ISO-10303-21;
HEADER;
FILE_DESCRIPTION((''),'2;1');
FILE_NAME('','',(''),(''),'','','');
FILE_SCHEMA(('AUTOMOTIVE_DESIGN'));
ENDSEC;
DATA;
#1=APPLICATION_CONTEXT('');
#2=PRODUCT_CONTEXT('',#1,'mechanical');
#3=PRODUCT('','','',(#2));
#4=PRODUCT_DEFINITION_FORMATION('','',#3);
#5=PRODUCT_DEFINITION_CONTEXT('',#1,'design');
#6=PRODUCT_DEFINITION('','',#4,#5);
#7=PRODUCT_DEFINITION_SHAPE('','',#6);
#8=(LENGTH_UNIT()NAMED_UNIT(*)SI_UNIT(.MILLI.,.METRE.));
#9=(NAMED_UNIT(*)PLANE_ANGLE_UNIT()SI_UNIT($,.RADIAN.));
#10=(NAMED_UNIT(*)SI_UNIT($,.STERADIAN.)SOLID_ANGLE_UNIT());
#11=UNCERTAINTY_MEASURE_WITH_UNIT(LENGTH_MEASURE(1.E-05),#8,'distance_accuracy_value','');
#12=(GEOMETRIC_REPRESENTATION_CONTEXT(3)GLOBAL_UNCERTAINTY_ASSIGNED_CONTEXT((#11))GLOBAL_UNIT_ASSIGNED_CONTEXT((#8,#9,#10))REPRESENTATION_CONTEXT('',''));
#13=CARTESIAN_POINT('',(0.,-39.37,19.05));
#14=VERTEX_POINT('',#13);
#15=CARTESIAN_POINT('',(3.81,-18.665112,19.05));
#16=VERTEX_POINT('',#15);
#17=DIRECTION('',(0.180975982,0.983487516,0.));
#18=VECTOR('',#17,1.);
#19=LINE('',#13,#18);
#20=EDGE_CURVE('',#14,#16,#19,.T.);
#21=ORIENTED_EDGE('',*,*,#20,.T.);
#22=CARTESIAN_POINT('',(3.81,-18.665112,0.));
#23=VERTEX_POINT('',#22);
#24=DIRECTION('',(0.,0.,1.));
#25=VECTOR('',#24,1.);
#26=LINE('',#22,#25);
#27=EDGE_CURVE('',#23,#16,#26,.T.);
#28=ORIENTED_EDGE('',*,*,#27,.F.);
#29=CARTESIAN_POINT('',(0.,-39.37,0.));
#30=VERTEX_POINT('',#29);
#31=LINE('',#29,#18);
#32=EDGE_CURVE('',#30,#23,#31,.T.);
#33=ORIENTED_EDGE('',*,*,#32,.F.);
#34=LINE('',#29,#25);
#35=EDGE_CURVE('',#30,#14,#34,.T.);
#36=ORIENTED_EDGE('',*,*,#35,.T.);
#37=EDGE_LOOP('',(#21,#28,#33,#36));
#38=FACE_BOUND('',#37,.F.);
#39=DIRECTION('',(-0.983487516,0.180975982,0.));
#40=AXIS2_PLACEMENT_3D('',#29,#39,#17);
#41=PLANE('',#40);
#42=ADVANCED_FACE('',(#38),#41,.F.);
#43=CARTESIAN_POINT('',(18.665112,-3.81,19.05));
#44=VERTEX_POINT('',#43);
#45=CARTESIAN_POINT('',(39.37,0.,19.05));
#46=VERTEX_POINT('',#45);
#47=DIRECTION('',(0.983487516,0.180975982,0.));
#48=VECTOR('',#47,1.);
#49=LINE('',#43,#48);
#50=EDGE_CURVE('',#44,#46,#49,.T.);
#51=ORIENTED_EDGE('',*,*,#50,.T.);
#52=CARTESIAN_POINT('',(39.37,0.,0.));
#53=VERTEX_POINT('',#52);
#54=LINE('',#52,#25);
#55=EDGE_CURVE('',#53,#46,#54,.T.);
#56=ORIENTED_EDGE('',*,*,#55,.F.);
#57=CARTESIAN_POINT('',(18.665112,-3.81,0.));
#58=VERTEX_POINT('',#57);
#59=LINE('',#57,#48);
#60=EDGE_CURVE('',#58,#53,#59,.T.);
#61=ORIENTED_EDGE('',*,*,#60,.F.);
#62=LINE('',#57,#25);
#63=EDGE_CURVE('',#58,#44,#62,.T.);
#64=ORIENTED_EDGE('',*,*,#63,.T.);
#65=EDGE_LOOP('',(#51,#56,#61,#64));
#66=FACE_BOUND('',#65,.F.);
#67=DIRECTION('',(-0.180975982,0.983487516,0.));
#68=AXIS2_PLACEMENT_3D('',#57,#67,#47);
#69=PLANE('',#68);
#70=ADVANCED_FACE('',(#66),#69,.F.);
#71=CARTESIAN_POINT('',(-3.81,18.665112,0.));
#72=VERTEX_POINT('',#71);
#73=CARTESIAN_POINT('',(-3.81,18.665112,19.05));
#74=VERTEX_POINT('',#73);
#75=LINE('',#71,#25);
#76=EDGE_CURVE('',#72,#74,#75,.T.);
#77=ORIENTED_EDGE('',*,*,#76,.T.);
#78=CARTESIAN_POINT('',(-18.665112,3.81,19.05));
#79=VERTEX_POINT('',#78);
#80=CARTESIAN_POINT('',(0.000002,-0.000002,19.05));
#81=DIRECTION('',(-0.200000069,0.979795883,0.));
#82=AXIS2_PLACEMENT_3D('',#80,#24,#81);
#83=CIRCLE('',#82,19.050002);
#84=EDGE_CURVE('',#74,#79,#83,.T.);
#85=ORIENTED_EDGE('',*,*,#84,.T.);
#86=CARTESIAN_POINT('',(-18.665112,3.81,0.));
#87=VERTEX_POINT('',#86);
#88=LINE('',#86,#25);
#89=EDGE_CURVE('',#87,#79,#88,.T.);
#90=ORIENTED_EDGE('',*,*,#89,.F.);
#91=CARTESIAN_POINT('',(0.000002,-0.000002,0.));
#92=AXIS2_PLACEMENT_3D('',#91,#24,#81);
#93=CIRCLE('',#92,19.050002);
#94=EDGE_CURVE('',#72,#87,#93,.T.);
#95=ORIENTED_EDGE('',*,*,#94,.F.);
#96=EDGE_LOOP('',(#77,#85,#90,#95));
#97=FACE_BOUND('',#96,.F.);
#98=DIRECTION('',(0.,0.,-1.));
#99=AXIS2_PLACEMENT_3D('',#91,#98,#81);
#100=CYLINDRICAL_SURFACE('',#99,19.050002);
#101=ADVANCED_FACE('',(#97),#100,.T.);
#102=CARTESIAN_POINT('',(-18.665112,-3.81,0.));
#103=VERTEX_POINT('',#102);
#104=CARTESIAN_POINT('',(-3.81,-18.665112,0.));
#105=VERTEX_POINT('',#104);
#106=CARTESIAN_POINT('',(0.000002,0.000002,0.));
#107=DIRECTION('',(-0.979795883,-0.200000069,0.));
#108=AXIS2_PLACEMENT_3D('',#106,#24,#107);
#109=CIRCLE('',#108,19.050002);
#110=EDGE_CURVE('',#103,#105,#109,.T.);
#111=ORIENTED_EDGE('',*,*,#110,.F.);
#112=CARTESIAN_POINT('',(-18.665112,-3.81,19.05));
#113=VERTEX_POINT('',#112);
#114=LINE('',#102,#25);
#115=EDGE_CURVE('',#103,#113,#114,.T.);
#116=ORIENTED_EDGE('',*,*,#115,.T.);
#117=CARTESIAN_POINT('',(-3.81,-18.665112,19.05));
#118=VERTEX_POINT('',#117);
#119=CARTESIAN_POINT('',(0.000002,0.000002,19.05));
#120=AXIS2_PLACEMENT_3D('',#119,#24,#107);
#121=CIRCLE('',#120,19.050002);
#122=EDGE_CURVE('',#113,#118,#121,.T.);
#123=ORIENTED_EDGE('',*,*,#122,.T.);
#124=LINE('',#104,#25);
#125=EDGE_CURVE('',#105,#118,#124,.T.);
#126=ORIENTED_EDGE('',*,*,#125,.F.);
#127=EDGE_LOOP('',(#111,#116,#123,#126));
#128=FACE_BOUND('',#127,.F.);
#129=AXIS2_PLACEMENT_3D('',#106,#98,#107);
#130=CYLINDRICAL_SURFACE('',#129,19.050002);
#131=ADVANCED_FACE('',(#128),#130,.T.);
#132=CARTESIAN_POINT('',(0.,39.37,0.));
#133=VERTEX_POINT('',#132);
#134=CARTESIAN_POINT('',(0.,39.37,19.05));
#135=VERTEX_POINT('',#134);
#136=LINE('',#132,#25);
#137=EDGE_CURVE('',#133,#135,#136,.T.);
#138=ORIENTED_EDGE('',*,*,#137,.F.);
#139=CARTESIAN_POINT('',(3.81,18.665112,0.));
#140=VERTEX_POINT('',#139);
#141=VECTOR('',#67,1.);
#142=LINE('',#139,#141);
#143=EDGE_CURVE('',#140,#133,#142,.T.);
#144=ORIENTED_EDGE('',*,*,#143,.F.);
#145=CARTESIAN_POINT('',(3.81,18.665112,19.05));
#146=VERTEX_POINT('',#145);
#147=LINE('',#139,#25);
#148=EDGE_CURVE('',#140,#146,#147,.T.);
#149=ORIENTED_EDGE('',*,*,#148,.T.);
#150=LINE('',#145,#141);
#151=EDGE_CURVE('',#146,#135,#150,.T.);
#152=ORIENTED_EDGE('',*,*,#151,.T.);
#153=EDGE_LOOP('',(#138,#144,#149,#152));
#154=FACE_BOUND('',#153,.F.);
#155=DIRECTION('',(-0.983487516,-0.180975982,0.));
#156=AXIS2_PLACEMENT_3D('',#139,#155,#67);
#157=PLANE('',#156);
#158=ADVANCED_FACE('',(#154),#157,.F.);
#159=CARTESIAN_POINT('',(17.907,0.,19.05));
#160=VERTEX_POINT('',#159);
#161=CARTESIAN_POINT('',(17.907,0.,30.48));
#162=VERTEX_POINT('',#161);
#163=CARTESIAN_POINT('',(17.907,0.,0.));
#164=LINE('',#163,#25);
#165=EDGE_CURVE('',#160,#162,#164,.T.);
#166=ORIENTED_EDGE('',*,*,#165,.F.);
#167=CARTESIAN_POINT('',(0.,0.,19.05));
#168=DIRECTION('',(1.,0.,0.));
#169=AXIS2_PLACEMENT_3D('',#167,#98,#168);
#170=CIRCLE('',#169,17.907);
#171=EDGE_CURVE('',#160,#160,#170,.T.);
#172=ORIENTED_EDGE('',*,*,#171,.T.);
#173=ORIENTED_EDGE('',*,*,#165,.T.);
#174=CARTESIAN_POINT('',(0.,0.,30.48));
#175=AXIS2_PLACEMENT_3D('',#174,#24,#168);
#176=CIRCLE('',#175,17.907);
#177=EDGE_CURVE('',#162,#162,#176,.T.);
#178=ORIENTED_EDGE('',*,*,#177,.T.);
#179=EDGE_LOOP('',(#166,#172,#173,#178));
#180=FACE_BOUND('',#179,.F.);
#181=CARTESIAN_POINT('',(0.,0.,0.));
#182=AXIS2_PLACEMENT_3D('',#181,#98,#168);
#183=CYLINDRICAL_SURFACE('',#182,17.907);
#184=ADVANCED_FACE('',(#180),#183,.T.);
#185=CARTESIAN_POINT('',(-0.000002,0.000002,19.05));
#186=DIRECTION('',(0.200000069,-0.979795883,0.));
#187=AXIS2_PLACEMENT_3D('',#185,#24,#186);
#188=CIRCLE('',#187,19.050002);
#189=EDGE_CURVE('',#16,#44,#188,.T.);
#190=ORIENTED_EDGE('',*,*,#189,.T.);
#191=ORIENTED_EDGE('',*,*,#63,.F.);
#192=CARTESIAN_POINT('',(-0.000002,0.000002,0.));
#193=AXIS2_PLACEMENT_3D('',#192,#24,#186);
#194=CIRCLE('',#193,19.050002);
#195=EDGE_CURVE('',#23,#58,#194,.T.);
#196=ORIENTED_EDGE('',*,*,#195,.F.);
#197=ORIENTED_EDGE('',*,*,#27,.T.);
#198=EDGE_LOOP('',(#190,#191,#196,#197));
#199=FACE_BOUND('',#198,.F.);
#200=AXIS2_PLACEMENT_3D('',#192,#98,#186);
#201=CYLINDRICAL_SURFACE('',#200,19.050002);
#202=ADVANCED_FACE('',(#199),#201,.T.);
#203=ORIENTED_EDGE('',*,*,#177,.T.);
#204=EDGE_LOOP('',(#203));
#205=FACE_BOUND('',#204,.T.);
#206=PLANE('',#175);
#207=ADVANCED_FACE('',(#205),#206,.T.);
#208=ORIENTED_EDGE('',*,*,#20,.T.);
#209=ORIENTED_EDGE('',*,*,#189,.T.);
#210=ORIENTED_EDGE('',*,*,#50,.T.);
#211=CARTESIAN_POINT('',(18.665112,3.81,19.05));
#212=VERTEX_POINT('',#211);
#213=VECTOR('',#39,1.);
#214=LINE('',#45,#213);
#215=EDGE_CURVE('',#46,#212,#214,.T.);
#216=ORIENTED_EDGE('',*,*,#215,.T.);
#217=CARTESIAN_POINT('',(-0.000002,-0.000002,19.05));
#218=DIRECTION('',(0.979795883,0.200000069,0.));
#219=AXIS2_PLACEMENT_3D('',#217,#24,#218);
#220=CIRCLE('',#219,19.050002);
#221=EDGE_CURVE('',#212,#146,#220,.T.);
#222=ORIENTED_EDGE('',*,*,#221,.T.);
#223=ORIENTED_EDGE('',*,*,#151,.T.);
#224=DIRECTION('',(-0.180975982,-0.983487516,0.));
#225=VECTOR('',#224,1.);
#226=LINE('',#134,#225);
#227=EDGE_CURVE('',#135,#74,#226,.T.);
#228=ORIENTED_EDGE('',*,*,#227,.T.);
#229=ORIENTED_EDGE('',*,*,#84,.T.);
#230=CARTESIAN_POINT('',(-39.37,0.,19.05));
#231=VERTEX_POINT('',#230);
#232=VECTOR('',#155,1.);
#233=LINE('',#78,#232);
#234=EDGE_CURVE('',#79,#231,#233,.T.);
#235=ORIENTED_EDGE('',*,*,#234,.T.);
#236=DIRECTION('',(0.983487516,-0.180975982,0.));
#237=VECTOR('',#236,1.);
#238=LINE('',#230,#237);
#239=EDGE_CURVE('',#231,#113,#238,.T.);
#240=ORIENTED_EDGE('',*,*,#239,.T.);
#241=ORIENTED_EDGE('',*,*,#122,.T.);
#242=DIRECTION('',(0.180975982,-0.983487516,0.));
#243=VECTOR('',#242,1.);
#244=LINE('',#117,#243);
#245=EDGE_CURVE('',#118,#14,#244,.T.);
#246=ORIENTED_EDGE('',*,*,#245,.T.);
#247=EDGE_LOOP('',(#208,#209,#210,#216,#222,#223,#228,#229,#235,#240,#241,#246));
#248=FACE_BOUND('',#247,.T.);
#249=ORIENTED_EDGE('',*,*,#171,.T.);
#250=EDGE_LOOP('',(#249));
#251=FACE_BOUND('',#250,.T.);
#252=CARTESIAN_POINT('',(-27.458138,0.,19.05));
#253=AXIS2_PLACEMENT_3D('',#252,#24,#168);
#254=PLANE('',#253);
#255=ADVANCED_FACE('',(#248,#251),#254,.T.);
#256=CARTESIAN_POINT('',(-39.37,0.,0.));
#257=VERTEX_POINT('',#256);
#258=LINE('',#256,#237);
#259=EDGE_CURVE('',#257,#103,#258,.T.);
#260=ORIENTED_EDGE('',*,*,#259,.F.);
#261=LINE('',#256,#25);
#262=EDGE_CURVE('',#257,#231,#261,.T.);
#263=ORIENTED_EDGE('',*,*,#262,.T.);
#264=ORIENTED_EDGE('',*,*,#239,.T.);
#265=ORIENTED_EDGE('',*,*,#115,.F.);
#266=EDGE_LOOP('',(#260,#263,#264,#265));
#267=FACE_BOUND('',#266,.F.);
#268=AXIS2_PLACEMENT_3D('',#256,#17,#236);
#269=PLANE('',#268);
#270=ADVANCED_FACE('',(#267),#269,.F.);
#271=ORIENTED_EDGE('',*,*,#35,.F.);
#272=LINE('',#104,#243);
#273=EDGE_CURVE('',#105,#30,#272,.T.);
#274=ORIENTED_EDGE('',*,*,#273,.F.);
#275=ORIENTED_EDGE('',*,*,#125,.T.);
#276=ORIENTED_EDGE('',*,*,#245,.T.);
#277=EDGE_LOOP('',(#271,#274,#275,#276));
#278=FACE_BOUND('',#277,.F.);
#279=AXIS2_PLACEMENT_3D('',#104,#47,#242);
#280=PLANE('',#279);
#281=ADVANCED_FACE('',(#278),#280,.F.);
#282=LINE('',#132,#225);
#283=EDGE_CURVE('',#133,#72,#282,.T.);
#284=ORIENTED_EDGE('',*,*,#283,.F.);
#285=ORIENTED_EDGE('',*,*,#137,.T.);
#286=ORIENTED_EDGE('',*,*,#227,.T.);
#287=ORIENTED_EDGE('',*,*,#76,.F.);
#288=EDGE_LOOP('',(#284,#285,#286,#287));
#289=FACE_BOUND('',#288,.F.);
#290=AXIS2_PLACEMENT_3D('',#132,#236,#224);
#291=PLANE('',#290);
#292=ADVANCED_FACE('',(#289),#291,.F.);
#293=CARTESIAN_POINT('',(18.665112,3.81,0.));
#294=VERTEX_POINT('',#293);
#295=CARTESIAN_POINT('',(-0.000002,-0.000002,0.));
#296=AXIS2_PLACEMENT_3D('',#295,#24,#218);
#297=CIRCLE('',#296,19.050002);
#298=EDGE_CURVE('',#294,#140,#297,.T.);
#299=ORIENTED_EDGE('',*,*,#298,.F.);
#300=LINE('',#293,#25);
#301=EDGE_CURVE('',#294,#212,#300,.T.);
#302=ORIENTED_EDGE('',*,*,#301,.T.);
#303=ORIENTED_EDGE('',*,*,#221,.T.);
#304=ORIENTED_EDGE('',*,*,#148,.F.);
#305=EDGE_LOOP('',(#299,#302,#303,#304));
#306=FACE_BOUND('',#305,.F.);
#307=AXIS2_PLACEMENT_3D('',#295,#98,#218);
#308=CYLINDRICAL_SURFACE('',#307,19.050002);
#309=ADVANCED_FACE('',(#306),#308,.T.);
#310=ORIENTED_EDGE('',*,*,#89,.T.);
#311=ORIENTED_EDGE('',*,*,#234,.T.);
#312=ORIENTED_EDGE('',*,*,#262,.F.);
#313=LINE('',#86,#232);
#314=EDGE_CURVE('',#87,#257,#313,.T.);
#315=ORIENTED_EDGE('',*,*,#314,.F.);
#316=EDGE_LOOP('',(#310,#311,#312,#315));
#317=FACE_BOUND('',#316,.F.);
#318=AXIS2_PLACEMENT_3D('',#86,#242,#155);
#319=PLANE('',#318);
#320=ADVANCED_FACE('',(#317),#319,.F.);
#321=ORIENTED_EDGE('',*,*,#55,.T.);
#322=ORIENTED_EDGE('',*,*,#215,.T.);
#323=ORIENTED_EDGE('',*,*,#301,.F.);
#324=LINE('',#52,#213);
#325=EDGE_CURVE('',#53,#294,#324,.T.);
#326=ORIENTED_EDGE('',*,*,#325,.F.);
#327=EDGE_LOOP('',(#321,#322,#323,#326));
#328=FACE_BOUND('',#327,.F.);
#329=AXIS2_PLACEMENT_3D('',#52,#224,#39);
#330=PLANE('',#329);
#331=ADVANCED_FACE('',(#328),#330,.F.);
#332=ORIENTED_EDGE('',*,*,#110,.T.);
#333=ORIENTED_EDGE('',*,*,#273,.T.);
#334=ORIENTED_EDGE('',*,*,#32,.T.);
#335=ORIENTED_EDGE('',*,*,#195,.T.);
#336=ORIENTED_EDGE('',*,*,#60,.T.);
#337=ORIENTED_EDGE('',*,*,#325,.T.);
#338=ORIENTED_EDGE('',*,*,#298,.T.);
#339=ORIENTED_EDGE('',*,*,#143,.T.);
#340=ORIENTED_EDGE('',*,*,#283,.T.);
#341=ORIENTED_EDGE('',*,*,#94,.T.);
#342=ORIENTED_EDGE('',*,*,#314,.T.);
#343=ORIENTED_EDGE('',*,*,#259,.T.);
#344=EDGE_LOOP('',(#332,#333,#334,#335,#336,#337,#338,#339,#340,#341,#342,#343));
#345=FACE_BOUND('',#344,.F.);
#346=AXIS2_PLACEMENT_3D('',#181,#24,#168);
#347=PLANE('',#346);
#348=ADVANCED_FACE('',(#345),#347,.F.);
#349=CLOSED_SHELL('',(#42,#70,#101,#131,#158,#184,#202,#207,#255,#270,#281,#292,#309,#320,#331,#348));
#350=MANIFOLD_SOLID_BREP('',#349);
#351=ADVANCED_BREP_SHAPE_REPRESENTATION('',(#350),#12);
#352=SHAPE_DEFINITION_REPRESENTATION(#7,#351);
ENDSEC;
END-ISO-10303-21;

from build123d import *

# Parameters (mm, degrees)
F1_DEPTH = 19.05
F2_R     = 17.907
F3_DEPTH = 30.48


with BuildPart() as f1:
    # F0 (on Top) → F1 (new body)
    with BuildSketch(Plane.XY):
        with BuildLine():
            ThreePointArc((-18.665112, -3.81), (-19.05, 0), (-18.665112, 3.81))
            Line((-18.665112, 3.81), (-39.37, 0))
            Line((-39.37, 0), (-18.665112, -3.81))
        make_face()
        with BuildLine():
            ThreePointArc((18.665112, -3.81), (18.953534, -1.914696), (19.05, 0))
            ThreePointArc((19.05, 0), (18.953534, 1.914696), (18.665112, 3.81))
            ThreePointArc((18.665112, 3.81), (13.470384, 13.470384), (3.81, 18.665112))
            ThreePointArc((3.81, 18.665112), (0, 19.05), (-3.81, 18.665112))
            ThreePointArc((-3.81, 18.665112), (-13.470384, 13.470384), (-18.665112, 3.81))
            ThreePointArc((-18.665112, 3.81), (-19.05, 0), (-18.665112, -3.81))
            ThreePointArc((-18.665112, -3.81), (-13.470384, -13.470384), (-3.81, -18.665112))
            ThreePointArc((-3.81, -18.665112), (0, -19.05), (3.81, -18.665112))
            ThreePointArc((3.81, -18.665112), (13.470384, -13.470384), (18.665112, -3.81))
        make_face()
        with BuildLine():
            Line((0, -39.37), (3.81, -18.665112))
            ThreePointArc((3.81, -18.665112), (0, -19.05), (-3.81, -18.665112))
            Line((-3.81, -18.665112), (0, -39.37))
        make_face()
        with BuildLine():
            ThreePointArc((18.665112, 3.81), (18.953534, 1.914696), (19.05, 0))
            ThreePointArc((19.05, 0), (18.953534, -1.914696), (18.665112, -3.81))
            Line((18.665112, -3.81), (39.37, 0))
            Line((39.37, 0), (18.665112, 3.81))
        make_face()
        with BuildLine():
            ThreePointArc((-3.81, 18.665112), (0, 19.05), (3.81, 18.665112))
            Line((3.81, 18.665112), (0, 39.37))
            Line((0, 39.37), (-3.81, 18.665112))
        make_face()
    extrude(amount=F1_DEPTH)

    # F2 (on Top) → F3 (join)
    with BuildSketch(Plane.XY):
        Circle(F2_R)
    extrude(amount=F3_DEPTH)


solid = f1.part
